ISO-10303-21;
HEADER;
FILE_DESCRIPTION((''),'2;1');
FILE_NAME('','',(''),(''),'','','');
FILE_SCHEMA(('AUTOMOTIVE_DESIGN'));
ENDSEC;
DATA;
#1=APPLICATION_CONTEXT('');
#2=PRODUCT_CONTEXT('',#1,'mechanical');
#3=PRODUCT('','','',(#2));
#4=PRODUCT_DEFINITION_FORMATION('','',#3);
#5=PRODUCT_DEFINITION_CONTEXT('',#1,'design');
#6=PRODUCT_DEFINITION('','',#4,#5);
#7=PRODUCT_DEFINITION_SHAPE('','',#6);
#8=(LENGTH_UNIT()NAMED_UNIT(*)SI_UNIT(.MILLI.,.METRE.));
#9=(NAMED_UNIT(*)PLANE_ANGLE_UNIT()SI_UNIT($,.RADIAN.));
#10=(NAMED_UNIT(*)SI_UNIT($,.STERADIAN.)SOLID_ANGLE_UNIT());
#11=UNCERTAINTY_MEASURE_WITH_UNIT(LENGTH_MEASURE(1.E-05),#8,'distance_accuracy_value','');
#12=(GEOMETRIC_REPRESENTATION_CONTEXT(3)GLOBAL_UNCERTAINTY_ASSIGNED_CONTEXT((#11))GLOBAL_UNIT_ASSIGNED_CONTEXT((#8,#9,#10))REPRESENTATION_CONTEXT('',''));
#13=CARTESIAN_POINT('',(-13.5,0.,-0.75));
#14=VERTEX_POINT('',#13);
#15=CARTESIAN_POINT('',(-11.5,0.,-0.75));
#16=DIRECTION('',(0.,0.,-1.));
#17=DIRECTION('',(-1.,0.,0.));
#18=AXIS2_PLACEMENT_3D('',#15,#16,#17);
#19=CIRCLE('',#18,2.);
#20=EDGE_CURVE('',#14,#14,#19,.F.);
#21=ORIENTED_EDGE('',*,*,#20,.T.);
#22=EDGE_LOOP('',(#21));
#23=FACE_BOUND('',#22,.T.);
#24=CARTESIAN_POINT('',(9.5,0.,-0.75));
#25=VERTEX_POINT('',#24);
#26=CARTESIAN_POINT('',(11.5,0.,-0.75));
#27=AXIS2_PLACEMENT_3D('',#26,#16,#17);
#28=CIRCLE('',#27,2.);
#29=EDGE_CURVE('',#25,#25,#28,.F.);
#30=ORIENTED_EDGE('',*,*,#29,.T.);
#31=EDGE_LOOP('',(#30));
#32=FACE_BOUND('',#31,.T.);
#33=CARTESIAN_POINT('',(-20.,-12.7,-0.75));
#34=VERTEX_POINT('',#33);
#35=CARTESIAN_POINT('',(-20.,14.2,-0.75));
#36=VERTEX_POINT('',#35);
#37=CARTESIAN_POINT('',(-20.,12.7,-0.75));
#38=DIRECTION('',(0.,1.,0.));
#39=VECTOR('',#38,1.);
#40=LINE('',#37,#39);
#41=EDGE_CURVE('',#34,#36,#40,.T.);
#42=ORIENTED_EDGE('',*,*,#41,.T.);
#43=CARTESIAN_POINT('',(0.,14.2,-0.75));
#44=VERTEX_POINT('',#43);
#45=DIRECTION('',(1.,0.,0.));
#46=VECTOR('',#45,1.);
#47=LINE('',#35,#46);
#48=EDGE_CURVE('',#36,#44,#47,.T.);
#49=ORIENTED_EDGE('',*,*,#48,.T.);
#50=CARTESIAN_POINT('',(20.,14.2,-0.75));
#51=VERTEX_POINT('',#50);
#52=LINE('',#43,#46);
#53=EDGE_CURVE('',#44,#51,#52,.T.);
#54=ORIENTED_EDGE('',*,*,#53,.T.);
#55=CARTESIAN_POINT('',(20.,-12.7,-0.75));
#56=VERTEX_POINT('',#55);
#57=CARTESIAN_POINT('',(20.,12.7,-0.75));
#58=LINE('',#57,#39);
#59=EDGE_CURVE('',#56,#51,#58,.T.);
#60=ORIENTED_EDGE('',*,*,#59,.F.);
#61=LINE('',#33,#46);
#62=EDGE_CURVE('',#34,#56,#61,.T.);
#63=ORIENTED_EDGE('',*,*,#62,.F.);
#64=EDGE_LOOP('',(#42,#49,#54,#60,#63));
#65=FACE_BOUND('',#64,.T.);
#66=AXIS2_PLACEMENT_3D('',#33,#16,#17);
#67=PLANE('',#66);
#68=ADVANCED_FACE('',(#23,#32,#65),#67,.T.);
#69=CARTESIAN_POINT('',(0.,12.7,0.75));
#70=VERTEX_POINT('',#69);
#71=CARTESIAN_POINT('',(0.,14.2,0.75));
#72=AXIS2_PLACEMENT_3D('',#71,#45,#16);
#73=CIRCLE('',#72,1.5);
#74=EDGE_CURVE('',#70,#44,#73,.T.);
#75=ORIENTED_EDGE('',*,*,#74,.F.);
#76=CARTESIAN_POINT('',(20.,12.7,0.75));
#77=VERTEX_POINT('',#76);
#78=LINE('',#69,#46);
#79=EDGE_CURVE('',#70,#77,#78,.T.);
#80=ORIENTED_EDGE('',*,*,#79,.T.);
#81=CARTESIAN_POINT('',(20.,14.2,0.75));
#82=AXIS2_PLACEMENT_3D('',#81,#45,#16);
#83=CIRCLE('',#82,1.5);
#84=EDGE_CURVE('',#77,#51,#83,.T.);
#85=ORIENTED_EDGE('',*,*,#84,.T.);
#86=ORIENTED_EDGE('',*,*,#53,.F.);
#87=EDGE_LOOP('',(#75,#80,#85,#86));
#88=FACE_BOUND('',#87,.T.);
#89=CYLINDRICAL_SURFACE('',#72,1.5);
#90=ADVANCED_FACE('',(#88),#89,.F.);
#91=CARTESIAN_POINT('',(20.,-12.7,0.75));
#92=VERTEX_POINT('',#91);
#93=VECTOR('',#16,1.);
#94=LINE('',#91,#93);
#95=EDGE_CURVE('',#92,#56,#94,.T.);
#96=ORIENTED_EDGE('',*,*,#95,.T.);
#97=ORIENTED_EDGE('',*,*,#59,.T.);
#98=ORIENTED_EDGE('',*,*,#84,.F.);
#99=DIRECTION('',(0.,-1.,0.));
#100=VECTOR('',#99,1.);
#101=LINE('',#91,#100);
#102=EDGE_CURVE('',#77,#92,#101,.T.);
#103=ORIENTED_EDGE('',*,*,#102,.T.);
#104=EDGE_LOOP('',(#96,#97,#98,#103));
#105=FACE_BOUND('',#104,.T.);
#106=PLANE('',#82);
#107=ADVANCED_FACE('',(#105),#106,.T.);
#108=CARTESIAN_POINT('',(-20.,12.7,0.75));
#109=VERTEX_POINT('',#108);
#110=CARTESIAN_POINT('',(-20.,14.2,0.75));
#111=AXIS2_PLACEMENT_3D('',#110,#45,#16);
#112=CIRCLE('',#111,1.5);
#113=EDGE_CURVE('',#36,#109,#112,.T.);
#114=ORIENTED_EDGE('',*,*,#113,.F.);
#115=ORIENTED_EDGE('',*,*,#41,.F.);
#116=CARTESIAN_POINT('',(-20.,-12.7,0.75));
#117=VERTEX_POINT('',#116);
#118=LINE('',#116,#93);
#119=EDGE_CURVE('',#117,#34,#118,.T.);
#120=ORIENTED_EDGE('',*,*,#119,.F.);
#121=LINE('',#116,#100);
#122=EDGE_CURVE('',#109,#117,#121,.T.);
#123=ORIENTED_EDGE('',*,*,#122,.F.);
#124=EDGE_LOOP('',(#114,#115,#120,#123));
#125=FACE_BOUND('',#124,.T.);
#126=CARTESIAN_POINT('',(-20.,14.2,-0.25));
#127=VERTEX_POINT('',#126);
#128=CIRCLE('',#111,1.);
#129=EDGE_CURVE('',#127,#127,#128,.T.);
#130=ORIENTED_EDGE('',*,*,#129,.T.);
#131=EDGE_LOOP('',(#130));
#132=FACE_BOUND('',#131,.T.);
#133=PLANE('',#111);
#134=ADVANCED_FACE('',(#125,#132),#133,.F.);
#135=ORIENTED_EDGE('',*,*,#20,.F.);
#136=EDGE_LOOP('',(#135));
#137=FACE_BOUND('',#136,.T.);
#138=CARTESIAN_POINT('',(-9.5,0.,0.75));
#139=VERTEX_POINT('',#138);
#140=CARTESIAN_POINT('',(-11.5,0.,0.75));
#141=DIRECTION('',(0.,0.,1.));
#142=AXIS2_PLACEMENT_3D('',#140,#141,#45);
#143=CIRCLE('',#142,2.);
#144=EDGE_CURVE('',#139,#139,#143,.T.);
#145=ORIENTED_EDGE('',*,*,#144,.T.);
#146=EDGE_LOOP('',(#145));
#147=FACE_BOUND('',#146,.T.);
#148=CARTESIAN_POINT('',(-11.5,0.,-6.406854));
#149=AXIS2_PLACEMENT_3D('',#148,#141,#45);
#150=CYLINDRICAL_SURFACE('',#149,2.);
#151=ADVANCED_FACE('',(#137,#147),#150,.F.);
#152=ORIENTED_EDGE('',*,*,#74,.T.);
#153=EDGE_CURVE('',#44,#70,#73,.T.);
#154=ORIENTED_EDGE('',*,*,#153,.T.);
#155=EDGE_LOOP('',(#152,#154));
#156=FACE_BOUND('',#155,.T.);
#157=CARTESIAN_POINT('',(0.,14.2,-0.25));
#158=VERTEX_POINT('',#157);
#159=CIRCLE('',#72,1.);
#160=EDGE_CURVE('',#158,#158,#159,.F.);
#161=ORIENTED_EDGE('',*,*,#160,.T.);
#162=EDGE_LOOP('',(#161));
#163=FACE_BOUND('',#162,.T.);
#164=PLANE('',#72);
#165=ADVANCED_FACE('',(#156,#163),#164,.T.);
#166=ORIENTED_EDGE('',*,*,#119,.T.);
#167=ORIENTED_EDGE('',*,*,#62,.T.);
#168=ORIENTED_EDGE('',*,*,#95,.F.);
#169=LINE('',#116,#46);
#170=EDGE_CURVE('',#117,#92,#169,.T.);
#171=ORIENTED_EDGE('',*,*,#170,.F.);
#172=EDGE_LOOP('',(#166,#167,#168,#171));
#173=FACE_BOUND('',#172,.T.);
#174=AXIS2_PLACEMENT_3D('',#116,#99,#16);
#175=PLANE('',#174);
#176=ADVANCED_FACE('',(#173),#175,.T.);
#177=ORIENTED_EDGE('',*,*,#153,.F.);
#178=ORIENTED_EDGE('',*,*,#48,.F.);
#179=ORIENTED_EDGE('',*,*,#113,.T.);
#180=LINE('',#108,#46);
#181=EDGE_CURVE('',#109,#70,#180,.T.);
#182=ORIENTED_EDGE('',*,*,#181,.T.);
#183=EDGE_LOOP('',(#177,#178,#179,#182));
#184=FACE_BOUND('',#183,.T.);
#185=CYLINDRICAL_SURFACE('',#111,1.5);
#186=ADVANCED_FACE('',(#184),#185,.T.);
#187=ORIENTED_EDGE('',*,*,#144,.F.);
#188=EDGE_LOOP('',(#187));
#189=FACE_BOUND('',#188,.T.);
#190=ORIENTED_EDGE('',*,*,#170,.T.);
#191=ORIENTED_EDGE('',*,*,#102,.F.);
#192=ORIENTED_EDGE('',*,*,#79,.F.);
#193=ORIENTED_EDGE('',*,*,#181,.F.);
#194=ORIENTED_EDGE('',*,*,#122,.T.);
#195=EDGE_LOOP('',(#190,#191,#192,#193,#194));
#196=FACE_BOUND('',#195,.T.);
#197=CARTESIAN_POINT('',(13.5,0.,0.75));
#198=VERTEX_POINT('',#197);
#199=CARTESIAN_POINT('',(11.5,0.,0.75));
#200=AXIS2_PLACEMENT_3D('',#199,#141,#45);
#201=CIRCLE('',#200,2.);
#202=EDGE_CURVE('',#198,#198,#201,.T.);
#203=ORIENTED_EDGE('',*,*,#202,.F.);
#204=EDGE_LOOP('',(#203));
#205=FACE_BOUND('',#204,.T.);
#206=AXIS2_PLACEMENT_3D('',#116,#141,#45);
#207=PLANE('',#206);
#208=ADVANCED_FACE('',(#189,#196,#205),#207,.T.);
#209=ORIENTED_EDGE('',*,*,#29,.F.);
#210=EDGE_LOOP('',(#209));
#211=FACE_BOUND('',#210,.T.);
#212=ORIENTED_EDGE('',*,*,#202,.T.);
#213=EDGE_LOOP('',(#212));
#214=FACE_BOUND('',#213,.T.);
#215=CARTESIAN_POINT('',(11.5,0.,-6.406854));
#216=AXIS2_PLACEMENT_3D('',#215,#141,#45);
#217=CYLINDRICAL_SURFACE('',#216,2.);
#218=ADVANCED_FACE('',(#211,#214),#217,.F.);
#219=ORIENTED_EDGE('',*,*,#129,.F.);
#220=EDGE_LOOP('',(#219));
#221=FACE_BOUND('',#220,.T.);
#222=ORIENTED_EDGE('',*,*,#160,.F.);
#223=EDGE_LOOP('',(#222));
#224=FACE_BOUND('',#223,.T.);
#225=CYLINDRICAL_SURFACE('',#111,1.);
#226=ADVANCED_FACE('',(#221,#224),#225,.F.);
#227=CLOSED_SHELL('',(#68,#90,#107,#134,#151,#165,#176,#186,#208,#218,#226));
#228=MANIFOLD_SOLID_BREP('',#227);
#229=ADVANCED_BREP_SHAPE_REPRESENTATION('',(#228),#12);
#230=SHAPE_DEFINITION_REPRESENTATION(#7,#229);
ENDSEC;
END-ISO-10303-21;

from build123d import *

# Parameters (mm, degrees)
CROQUIS1_R                   = 1
SALIENTE_EXTRUIR1_DEPTH      = 20
SALIENTE_EXTRUIR1_DEPTH_BACK = 20
CROQUIS3_R                   = 1.5
CORTAR_EXTRUIR1_DEPTH        = 20
CROQUIS4_R                   = 2
CORTAR_EXTRUIR2_DEPTH        = 1.5


with BuildPart() as part:
    # Croquis1 → Saliente-Extruir1 (new body, two sides)
    with BuildSketch(Plane(origin=(0, 0, 0), x_dir=(0, 0, -1), z_dir=(1, 0, 0))) as saliente_extruir1_sk:
        with BuildLine():
            Line((-0.75, -12.7), (0.75, -12.7))
            Line((0.75, -12.7), (0.75, 12.7))
            Line((0.75, 12.7), (0.75, 14.2))
            ThreePointArc((0.75, 14.2), (-1.810660172, 15.260660172), (-0.75, 12.7))
            Line((-0.75, 12.7), (-0.75, -12.7))
        make_face()
        with Locations((-0.75, 14.2)):
            Circle(CROQUIS1_R, mode=Mode.SUBTRACT)
    extrude(amount=SALIENTE_EXTRUIR1_DEPTH)
    extrude(saliente_extruir1_sk.sketch, amount=-SALIENTE_EXTRUIR1_DEPTH_BACK)

    # Croquis3 → Cortar-Extruir1 (cut)
    with BuildSketch(Plane(origin=(20, 0, 0), x_dir=(0, 0, -1), z_dir=(1, 0, 0))):
        with Locations((-0.75, 14.2)):
            Circle(CROQUIS3_R)
    extrude(amount=-CORTAR_EXTRUIR1_DEPTH, mode=Mode.SUBTRACT)

    # Croquis4 → Cortar-Extruir2 (cut)
    with BuildSketch(Plane.XY.offset(0.75)):
        with Locations((-11.5, 0)):
            Circle(CROQUIS4_R)
        with Locations((11.5, 0)):
            Circle(CROQUIS4_R)
    extrude(amount=-CORTAR_EXTRUIR2_DEPTH, mode=Mode.SUBTRACT)


solid = part.part
